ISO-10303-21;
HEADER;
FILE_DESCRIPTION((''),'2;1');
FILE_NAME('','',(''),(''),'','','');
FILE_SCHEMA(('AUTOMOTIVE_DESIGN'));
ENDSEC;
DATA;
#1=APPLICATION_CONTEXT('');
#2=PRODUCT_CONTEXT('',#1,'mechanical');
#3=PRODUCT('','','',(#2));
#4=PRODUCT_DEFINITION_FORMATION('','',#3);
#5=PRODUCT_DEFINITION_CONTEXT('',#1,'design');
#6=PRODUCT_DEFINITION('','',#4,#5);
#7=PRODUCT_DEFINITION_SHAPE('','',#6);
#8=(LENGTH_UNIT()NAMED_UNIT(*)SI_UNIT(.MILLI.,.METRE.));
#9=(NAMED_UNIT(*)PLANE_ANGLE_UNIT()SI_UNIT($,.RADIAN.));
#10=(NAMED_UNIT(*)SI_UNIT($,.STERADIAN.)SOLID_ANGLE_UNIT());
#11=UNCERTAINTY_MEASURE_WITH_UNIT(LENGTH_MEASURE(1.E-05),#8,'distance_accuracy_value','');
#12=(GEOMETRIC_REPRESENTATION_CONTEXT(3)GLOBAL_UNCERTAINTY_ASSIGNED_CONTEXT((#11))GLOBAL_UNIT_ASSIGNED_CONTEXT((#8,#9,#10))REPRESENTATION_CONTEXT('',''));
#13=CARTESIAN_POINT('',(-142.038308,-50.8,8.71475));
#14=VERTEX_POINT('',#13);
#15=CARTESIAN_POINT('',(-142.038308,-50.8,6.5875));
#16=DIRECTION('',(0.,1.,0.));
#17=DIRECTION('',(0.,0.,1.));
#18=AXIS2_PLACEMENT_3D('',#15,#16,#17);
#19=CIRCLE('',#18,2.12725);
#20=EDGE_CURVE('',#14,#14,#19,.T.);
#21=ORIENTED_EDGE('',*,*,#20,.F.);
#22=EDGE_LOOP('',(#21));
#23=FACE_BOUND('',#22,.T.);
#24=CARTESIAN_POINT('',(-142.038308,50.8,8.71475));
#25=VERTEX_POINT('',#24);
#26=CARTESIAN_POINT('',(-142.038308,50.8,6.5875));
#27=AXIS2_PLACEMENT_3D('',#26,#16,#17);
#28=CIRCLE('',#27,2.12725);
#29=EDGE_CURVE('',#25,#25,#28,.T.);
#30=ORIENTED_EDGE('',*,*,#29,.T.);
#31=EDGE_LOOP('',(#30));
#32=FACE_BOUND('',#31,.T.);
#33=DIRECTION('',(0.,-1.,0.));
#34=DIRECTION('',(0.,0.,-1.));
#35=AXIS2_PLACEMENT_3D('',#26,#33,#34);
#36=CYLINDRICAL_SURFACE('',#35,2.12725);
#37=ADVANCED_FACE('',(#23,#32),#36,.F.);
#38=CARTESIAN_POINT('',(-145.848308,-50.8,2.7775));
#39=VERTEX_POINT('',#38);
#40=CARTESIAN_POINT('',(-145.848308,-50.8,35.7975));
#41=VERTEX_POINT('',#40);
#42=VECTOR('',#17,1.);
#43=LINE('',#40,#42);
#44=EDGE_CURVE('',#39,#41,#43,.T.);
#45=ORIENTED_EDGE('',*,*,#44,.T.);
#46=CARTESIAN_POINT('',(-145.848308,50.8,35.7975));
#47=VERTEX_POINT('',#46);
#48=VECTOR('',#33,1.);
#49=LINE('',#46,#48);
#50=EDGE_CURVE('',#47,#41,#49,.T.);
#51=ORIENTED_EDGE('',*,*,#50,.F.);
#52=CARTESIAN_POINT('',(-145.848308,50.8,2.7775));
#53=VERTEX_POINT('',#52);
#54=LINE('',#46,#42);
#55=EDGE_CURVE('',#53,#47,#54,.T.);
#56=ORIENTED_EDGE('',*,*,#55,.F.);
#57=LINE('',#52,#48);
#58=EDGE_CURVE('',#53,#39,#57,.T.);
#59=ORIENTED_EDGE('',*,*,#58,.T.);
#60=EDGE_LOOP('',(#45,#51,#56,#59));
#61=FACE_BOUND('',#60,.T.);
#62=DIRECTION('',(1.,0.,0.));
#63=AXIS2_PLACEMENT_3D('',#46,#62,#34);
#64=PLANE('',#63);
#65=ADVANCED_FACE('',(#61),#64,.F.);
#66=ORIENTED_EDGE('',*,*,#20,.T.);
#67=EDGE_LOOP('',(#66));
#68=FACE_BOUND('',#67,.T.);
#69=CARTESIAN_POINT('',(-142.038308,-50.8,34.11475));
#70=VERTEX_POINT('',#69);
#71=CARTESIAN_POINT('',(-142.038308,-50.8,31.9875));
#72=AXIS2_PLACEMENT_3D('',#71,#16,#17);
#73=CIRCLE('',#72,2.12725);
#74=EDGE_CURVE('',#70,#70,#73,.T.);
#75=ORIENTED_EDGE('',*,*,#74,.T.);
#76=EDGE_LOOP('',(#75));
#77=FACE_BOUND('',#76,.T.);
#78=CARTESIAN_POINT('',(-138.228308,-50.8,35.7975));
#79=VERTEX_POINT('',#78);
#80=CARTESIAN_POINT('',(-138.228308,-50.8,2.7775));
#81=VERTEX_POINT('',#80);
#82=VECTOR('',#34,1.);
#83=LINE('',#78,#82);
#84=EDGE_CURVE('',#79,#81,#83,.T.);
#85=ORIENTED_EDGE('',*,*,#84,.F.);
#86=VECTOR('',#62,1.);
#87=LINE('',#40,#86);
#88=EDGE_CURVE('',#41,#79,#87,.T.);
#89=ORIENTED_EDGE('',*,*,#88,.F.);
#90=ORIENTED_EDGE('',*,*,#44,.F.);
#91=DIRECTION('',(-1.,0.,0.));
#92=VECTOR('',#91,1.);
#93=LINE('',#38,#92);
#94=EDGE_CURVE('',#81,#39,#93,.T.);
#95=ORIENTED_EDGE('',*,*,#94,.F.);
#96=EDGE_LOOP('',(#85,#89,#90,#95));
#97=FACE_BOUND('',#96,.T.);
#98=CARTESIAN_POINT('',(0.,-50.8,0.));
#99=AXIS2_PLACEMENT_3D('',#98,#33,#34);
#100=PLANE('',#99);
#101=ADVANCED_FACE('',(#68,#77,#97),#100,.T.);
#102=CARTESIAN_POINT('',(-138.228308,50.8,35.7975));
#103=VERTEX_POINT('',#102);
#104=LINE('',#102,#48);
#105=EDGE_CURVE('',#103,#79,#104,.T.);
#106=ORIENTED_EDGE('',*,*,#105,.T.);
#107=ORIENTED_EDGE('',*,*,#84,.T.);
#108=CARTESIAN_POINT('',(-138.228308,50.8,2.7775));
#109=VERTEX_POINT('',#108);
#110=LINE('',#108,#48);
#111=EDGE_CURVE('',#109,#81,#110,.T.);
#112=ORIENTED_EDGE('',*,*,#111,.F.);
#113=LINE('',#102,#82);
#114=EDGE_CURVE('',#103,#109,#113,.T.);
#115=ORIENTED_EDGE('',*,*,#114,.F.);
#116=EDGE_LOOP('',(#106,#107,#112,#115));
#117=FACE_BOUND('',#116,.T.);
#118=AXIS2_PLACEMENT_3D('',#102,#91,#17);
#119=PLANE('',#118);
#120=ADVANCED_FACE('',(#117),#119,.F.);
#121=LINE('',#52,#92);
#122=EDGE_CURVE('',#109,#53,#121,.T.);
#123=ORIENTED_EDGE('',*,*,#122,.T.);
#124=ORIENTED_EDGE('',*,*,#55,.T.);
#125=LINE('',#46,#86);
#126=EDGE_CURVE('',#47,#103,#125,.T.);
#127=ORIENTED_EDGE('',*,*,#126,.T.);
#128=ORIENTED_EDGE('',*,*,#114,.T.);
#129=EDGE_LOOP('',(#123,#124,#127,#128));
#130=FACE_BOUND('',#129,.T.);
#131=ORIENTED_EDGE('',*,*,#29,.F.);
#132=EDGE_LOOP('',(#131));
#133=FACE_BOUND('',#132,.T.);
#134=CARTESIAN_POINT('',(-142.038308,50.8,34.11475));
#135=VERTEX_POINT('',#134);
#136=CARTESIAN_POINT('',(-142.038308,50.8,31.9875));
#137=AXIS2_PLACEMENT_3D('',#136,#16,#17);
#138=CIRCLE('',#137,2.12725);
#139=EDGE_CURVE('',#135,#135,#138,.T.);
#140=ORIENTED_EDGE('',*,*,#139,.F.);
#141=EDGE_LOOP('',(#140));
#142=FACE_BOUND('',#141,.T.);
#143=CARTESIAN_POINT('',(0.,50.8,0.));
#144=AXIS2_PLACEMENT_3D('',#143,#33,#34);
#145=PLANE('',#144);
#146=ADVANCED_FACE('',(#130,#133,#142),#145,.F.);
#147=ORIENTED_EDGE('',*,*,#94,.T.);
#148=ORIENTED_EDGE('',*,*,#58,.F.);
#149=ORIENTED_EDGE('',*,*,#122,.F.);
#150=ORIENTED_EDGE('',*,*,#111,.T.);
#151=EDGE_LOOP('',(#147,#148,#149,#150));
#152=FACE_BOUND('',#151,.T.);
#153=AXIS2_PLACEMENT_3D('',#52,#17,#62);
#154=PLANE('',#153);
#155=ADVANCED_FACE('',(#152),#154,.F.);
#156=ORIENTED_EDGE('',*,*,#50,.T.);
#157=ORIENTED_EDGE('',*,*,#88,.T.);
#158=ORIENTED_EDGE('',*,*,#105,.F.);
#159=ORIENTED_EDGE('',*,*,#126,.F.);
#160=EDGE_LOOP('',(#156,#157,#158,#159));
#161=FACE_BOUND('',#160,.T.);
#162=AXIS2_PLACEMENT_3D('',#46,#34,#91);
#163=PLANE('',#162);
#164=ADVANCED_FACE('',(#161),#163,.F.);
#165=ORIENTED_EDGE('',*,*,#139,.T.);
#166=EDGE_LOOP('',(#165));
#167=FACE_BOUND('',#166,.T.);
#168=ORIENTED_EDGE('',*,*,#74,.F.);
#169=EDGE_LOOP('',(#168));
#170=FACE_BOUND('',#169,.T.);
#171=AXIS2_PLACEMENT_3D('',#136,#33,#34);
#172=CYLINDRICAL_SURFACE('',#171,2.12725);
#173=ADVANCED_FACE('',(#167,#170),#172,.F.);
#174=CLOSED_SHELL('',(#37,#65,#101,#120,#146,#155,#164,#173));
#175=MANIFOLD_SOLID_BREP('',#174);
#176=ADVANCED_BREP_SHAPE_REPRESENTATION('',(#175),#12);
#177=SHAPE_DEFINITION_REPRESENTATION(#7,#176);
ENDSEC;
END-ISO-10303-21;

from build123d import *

# Parameters (mm, degrees)
SKETCH1_W           = 7.62
SKETCH1_H           = 33.02
SKETCH1_R           = 2.12725
BOSS_EXTRUDE1_DEPTH = 50.8


with BuildPart() as part:
    # Sketch1 → Boss-Extrude1 (new, symmetric)
    with BuildSketch(Plane(origin=(0, 0, 0), x_dir=(1, 0, 0), z_dir=(0, 1, 0))):
        with Locations((-142.038308124, -19.2875)):
            Rectangle(SKETCH1_W, SKETCH1_H)
        with Locations(Location((-142.038308124, -6.5875, 0), (0, 0, 270))):
            Circle(SKETCH1_R, mode=Mode.SUBTRACT)
        with Locations(Location((-142.038308124, -31.9875, 0), (0, 0, 270))):
            Circle(SKETCH1_R, mode=Mode.SUBTRACT)
    extrude(amount=BOSS_EXTRUDE1_DEPTH, both=True)


solid = part.part
